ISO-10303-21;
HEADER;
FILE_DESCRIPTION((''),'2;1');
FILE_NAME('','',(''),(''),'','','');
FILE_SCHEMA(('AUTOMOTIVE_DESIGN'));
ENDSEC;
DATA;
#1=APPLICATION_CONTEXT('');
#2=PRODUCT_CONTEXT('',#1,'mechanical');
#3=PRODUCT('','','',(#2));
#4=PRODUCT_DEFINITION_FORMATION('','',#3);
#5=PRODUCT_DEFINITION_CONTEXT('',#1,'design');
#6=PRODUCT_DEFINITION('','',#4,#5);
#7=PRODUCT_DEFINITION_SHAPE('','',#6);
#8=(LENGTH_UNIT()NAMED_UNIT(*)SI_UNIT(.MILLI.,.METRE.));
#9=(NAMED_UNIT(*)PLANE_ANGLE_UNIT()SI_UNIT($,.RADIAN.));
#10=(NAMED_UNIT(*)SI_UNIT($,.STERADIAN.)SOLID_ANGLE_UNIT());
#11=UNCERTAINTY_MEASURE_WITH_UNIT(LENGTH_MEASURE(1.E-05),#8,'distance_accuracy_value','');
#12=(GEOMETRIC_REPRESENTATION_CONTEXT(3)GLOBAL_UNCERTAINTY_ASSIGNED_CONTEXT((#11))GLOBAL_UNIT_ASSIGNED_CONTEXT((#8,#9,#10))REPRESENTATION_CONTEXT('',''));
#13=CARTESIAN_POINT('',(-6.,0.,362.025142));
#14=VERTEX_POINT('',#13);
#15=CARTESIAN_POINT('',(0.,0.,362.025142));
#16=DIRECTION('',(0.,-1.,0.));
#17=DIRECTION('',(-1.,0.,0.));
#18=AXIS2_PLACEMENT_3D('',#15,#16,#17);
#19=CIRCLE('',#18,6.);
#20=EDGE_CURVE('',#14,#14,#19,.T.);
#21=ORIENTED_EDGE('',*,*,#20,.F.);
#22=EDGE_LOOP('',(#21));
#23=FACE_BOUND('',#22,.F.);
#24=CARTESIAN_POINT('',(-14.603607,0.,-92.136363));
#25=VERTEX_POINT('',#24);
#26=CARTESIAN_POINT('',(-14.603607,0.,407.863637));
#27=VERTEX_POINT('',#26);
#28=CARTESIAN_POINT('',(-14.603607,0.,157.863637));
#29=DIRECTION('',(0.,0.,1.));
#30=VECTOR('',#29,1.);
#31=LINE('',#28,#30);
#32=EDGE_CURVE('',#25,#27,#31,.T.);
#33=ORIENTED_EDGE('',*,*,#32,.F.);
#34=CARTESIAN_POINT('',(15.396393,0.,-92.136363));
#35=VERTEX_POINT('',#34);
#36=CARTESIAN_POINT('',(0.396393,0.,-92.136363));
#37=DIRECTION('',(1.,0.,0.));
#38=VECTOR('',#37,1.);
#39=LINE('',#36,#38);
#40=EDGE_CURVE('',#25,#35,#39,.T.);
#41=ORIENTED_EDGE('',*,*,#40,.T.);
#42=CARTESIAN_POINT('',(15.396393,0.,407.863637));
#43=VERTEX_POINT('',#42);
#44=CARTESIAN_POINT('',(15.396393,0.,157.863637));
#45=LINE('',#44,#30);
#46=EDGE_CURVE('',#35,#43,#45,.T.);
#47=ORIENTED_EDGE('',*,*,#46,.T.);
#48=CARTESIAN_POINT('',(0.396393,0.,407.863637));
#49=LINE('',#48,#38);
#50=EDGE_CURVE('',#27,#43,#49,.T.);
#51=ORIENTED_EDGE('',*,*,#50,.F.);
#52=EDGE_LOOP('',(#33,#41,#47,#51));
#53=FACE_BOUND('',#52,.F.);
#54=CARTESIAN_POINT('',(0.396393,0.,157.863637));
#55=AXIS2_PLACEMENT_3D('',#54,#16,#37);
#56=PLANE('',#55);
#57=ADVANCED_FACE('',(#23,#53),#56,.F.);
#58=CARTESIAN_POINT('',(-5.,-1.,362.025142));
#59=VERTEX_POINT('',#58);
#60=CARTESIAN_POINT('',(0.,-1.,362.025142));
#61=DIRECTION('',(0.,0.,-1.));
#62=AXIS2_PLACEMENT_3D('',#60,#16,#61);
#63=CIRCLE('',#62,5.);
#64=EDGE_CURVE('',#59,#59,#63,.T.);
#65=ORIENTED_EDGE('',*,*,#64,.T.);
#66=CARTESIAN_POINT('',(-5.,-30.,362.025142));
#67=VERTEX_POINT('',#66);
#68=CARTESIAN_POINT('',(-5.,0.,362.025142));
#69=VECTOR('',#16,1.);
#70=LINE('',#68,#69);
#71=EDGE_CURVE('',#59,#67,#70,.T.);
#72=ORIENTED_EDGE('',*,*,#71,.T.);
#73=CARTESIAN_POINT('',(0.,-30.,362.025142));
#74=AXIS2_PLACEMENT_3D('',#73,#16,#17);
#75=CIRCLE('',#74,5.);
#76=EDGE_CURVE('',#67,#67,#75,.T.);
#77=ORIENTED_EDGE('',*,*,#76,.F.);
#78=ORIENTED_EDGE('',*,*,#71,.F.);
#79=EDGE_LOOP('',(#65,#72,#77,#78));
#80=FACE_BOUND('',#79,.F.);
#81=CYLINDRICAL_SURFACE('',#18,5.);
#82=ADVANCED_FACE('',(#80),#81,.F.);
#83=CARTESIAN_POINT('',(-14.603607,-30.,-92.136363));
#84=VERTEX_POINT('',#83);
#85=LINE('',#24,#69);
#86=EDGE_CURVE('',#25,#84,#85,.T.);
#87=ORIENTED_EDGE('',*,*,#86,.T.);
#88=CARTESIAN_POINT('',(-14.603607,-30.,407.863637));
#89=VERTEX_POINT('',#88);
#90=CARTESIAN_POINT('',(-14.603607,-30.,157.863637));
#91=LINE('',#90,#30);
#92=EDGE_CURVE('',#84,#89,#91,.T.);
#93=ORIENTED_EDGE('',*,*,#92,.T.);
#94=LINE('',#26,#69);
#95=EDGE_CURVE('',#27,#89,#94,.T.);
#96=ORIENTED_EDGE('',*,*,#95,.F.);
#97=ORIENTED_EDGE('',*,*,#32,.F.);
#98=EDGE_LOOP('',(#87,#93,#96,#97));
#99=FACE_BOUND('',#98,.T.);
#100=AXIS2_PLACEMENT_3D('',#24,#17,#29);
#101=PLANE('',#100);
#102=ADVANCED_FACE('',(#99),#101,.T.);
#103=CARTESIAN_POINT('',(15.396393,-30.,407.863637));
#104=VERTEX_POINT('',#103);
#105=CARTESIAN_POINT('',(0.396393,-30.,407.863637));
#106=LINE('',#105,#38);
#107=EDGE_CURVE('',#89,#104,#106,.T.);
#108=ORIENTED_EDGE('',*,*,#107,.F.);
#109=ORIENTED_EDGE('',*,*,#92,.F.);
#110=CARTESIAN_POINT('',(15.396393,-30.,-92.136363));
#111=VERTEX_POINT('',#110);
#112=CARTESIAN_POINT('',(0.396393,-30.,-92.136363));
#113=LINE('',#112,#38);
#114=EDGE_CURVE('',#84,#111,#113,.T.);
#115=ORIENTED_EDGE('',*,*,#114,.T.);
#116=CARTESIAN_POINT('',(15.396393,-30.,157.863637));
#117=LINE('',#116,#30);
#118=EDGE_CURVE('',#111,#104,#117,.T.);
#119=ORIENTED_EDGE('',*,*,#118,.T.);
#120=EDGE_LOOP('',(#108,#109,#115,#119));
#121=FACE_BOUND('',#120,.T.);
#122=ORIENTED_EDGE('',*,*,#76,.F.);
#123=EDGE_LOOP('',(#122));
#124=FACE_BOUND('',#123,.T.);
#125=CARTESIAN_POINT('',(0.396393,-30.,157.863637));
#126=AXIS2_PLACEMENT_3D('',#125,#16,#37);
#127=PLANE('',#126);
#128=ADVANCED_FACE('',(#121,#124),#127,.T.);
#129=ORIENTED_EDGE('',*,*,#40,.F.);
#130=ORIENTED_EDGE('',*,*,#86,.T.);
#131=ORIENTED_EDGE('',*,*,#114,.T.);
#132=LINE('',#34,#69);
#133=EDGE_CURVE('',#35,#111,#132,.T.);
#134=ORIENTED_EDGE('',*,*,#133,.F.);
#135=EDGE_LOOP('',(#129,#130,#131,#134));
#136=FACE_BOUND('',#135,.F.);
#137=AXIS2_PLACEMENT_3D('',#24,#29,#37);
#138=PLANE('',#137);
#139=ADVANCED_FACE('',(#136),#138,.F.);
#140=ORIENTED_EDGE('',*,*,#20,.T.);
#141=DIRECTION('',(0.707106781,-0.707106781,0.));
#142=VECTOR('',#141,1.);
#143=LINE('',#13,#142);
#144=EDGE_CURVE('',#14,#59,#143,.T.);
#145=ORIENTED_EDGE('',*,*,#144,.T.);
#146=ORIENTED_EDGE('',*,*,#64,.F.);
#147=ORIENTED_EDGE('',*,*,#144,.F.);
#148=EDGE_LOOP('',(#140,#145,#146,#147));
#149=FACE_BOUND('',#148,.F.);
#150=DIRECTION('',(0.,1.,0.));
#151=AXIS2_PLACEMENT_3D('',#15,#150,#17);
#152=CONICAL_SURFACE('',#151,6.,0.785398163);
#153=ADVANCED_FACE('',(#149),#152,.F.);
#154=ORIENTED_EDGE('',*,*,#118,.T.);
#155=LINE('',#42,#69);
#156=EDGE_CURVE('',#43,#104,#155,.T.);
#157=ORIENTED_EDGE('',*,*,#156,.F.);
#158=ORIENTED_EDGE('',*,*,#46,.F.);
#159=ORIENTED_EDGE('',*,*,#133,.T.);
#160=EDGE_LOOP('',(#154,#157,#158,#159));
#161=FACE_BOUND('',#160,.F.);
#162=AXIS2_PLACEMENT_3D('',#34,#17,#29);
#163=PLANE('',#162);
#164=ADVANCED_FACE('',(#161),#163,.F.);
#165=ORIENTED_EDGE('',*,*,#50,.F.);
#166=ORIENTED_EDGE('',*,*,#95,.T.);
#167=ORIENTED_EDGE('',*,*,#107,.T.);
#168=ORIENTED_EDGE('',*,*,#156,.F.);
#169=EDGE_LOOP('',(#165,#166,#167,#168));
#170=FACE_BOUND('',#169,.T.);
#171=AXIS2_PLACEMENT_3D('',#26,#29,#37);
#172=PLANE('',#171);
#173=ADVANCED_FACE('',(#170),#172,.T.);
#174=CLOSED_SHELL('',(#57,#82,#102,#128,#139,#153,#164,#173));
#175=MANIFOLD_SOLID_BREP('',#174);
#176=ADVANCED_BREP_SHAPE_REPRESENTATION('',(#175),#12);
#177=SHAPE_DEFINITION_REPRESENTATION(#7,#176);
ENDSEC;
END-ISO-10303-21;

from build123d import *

# Parameters (mm, degrees)
F0_W           = 30
F0_H           = 500
F1_DEPTH       = 30
F2_D           = 10
F2_CSINK_D     = 12
F2_CSINK_ANGLE = 90


with BuildPart() as f1:
    # F0 (on Front) → F1 (new body)
    with BuildSketch(Plane.XZ):
        with Locations((0.3963927738, 157.8636374871)):
            Rectangle(F0_W, F0_H)
    extrude(amount=F1_DEPTH)

    # F2 (through all)
    with Locations(Plane(origin=(0, 0, 0), x_dir=(1, 0, 0), z_dir=(0, 1, 0))):
        with Locations((0, -362.025141716)):
            CounterSinkHole(F2_D / 2, F2_CSINK_D / 2, counter_sink_angle=F2_CSINK_ANGLE)


solid = f1.part
